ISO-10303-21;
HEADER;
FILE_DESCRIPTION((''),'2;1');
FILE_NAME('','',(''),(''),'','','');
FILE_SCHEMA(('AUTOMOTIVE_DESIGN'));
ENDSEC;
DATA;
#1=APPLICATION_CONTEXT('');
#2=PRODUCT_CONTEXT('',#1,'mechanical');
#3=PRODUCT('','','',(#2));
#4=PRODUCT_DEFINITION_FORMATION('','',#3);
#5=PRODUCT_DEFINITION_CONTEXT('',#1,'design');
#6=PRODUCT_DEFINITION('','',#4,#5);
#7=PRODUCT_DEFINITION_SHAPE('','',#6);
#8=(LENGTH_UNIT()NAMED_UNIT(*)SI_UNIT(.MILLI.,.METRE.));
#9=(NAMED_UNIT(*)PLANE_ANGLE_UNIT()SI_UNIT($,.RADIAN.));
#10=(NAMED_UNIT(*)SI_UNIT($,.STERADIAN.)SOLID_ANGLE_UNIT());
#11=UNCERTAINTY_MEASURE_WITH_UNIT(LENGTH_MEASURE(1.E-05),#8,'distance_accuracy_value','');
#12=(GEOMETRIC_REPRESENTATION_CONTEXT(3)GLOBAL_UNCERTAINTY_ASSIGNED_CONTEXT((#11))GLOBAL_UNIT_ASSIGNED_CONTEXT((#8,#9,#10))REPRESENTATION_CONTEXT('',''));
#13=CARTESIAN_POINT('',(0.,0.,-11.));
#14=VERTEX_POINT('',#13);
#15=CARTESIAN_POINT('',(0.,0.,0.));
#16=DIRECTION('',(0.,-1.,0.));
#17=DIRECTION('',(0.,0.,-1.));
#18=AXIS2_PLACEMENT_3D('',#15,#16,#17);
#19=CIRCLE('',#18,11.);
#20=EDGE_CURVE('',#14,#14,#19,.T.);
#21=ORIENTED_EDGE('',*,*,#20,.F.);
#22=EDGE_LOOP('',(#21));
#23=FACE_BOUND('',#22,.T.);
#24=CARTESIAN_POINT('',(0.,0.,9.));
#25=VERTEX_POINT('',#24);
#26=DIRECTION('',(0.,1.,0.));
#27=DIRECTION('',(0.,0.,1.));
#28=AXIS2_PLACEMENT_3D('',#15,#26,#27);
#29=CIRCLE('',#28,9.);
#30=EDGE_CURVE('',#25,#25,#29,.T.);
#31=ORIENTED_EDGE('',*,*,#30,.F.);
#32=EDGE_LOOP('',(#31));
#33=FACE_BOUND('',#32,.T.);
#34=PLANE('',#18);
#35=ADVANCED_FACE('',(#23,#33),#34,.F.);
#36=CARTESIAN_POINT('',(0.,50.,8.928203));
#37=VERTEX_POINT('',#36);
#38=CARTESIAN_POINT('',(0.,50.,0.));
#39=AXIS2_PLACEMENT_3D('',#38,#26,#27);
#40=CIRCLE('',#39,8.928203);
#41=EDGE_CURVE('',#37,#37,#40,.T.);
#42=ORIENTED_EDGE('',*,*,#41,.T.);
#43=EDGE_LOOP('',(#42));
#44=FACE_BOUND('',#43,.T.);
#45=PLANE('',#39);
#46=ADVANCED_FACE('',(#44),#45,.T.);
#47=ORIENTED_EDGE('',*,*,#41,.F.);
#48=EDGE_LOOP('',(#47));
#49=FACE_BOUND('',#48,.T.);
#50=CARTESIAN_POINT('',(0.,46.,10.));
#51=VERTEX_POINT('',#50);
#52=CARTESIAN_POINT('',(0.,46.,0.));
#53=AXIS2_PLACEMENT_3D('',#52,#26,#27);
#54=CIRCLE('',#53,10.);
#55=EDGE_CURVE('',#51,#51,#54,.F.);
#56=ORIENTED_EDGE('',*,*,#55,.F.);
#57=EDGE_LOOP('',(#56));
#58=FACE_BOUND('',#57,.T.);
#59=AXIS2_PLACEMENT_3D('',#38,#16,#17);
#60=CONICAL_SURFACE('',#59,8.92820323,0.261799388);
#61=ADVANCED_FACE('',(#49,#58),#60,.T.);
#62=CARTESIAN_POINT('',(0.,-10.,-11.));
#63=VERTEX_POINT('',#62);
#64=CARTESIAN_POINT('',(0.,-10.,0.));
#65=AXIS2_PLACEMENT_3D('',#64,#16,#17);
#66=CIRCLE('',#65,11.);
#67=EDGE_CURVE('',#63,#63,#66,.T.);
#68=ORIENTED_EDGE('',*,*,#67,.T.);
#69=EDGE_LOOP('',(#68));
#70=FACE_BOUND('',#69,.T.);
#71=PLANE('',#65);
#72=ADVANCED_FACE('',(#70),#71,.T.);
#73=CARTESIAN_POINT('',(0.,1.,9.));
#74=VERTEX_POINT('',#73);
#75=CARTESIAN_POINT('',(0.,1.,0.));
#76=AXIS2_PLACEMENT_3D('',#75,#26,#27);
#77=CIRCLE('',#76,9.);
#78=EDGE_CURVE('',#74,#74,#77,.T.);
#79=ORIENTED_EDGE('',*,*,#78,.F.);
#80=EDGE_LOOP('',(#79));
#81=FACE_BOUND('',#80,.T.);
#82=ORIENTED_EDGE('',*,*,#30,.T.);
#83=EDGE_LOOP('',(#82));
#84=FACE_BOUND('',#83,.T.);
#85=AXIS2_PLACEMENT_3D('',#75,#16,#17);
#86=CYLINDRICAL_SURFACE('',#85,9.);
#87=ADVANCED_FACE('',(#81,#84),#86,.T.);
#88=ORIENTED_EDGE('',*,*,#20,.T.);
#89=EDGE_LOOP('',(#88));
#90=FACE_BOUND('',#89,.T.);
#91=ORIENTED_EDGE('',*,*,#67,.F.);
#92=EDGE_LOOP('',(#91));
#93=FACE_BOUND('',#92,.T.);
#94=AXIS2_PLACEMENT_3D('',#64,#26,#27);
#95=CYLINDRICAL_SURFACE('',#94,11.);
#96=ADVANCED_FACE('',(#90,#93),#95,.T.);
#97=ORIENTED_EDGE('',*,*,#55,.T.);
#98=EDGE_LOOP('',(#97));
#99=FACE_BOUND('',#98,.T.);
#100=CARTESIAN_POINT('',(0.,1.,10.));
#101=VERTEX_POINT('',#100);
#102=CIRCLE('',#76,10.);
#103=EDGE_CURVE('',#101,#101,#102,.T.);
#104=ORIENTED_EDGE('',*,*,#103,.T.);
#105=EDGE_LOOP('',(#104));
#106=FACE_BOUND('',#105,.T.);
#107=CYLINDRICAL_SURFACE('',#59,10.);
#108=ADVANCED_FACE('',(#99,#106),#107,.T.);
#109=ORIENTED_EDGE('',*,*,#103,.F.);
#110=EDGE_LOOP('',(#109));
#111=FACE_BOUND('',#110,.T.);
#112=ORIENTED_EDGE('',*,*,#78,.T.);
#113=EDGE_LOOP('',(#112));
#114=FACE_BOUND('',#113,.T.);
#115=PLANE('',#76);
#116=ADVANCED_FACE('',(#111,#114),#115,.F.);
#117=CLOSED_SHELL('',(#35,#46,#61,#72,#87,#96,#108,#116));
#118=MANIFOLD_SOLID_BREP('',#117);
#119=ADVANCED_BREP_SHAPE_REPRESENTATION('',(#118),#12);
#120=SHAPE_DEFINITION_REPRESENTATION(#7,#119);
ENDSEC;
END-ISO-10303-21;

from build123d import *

# Parameters (mm, degrees)
SKETCH_1_R          = 10
EXTRUDE_1_DEPTH     = 50
SKETCH_2_R          = 11
EXTRUDE_2_DEPTH     = 10
CHAMFER_1_SIZE      = 4
CHAMFER_1_SIZE2     = 1.07179677
SKETCH_3_R          = 10
SKETCH_3_R_2        = 9
CUT_EXTRUDE_1_DEPTH = 1


with BuildPart() as part:
    # Эскиз1 → Бобышка-Вытянуть1 (new body)
    with BuildSketch(Plane(origin=(0, 0, 0), x_dir=(1, 0, 0), z_dir=(0, 1, 0))):
        with Locations(Location((0, 0, 0), (0, 0, 270))):
            Circle(SKETCH_1_R)
    extrude(amount=EXTRUDE_1_DEPTH)

    # Эскиз2 → Бобышка-Вытянуть2 (add)
    with BuildSketch(Plane.XZ):
        with Locations(Location((0, 0, 0), (0, 0, 270))):
            Circle(SKETCH_2_R)
    extrude(amount=EXTRUDE_2_DEPTH)

    # Фаска1
    chamfer_1_edges = [part.edges().sort_by_distance(p)[0] for p in [
        (0, 50, -10),
    ]]
    chamfer_1_side = [part.faces().sort_by_distance(p)[0] for p in [
        (0, 25, -10),
    ]]
    chamfer(chamfer_1_edges, length=CHAMFER_1_SIZE, length2=CHAMFER_1_SIZE2, reference=chamfer_1_side[0])

    # Эскиз3 → Вырез-Вытянуть1 (cut)
    with BuildSketch(Plane(origin=(0, 0, 0), x_dir=(1, 0, 0), z_dir=(0, 1, 0))):
        with Locations(Location((0, 0, 0), (0, 0, 270))):
            Circle(SKETCH_3_R)
        with Locations(Location((0, 0, 0), (0, 0, 270))):
            Circle(SKETCH_3_R_2, mode=Mode.SUBTRACT)
    extrude(amount=CUT_EXTRUDE_1_DEPTH, mode=Mode.SUBTRACT)


solid = part.part
